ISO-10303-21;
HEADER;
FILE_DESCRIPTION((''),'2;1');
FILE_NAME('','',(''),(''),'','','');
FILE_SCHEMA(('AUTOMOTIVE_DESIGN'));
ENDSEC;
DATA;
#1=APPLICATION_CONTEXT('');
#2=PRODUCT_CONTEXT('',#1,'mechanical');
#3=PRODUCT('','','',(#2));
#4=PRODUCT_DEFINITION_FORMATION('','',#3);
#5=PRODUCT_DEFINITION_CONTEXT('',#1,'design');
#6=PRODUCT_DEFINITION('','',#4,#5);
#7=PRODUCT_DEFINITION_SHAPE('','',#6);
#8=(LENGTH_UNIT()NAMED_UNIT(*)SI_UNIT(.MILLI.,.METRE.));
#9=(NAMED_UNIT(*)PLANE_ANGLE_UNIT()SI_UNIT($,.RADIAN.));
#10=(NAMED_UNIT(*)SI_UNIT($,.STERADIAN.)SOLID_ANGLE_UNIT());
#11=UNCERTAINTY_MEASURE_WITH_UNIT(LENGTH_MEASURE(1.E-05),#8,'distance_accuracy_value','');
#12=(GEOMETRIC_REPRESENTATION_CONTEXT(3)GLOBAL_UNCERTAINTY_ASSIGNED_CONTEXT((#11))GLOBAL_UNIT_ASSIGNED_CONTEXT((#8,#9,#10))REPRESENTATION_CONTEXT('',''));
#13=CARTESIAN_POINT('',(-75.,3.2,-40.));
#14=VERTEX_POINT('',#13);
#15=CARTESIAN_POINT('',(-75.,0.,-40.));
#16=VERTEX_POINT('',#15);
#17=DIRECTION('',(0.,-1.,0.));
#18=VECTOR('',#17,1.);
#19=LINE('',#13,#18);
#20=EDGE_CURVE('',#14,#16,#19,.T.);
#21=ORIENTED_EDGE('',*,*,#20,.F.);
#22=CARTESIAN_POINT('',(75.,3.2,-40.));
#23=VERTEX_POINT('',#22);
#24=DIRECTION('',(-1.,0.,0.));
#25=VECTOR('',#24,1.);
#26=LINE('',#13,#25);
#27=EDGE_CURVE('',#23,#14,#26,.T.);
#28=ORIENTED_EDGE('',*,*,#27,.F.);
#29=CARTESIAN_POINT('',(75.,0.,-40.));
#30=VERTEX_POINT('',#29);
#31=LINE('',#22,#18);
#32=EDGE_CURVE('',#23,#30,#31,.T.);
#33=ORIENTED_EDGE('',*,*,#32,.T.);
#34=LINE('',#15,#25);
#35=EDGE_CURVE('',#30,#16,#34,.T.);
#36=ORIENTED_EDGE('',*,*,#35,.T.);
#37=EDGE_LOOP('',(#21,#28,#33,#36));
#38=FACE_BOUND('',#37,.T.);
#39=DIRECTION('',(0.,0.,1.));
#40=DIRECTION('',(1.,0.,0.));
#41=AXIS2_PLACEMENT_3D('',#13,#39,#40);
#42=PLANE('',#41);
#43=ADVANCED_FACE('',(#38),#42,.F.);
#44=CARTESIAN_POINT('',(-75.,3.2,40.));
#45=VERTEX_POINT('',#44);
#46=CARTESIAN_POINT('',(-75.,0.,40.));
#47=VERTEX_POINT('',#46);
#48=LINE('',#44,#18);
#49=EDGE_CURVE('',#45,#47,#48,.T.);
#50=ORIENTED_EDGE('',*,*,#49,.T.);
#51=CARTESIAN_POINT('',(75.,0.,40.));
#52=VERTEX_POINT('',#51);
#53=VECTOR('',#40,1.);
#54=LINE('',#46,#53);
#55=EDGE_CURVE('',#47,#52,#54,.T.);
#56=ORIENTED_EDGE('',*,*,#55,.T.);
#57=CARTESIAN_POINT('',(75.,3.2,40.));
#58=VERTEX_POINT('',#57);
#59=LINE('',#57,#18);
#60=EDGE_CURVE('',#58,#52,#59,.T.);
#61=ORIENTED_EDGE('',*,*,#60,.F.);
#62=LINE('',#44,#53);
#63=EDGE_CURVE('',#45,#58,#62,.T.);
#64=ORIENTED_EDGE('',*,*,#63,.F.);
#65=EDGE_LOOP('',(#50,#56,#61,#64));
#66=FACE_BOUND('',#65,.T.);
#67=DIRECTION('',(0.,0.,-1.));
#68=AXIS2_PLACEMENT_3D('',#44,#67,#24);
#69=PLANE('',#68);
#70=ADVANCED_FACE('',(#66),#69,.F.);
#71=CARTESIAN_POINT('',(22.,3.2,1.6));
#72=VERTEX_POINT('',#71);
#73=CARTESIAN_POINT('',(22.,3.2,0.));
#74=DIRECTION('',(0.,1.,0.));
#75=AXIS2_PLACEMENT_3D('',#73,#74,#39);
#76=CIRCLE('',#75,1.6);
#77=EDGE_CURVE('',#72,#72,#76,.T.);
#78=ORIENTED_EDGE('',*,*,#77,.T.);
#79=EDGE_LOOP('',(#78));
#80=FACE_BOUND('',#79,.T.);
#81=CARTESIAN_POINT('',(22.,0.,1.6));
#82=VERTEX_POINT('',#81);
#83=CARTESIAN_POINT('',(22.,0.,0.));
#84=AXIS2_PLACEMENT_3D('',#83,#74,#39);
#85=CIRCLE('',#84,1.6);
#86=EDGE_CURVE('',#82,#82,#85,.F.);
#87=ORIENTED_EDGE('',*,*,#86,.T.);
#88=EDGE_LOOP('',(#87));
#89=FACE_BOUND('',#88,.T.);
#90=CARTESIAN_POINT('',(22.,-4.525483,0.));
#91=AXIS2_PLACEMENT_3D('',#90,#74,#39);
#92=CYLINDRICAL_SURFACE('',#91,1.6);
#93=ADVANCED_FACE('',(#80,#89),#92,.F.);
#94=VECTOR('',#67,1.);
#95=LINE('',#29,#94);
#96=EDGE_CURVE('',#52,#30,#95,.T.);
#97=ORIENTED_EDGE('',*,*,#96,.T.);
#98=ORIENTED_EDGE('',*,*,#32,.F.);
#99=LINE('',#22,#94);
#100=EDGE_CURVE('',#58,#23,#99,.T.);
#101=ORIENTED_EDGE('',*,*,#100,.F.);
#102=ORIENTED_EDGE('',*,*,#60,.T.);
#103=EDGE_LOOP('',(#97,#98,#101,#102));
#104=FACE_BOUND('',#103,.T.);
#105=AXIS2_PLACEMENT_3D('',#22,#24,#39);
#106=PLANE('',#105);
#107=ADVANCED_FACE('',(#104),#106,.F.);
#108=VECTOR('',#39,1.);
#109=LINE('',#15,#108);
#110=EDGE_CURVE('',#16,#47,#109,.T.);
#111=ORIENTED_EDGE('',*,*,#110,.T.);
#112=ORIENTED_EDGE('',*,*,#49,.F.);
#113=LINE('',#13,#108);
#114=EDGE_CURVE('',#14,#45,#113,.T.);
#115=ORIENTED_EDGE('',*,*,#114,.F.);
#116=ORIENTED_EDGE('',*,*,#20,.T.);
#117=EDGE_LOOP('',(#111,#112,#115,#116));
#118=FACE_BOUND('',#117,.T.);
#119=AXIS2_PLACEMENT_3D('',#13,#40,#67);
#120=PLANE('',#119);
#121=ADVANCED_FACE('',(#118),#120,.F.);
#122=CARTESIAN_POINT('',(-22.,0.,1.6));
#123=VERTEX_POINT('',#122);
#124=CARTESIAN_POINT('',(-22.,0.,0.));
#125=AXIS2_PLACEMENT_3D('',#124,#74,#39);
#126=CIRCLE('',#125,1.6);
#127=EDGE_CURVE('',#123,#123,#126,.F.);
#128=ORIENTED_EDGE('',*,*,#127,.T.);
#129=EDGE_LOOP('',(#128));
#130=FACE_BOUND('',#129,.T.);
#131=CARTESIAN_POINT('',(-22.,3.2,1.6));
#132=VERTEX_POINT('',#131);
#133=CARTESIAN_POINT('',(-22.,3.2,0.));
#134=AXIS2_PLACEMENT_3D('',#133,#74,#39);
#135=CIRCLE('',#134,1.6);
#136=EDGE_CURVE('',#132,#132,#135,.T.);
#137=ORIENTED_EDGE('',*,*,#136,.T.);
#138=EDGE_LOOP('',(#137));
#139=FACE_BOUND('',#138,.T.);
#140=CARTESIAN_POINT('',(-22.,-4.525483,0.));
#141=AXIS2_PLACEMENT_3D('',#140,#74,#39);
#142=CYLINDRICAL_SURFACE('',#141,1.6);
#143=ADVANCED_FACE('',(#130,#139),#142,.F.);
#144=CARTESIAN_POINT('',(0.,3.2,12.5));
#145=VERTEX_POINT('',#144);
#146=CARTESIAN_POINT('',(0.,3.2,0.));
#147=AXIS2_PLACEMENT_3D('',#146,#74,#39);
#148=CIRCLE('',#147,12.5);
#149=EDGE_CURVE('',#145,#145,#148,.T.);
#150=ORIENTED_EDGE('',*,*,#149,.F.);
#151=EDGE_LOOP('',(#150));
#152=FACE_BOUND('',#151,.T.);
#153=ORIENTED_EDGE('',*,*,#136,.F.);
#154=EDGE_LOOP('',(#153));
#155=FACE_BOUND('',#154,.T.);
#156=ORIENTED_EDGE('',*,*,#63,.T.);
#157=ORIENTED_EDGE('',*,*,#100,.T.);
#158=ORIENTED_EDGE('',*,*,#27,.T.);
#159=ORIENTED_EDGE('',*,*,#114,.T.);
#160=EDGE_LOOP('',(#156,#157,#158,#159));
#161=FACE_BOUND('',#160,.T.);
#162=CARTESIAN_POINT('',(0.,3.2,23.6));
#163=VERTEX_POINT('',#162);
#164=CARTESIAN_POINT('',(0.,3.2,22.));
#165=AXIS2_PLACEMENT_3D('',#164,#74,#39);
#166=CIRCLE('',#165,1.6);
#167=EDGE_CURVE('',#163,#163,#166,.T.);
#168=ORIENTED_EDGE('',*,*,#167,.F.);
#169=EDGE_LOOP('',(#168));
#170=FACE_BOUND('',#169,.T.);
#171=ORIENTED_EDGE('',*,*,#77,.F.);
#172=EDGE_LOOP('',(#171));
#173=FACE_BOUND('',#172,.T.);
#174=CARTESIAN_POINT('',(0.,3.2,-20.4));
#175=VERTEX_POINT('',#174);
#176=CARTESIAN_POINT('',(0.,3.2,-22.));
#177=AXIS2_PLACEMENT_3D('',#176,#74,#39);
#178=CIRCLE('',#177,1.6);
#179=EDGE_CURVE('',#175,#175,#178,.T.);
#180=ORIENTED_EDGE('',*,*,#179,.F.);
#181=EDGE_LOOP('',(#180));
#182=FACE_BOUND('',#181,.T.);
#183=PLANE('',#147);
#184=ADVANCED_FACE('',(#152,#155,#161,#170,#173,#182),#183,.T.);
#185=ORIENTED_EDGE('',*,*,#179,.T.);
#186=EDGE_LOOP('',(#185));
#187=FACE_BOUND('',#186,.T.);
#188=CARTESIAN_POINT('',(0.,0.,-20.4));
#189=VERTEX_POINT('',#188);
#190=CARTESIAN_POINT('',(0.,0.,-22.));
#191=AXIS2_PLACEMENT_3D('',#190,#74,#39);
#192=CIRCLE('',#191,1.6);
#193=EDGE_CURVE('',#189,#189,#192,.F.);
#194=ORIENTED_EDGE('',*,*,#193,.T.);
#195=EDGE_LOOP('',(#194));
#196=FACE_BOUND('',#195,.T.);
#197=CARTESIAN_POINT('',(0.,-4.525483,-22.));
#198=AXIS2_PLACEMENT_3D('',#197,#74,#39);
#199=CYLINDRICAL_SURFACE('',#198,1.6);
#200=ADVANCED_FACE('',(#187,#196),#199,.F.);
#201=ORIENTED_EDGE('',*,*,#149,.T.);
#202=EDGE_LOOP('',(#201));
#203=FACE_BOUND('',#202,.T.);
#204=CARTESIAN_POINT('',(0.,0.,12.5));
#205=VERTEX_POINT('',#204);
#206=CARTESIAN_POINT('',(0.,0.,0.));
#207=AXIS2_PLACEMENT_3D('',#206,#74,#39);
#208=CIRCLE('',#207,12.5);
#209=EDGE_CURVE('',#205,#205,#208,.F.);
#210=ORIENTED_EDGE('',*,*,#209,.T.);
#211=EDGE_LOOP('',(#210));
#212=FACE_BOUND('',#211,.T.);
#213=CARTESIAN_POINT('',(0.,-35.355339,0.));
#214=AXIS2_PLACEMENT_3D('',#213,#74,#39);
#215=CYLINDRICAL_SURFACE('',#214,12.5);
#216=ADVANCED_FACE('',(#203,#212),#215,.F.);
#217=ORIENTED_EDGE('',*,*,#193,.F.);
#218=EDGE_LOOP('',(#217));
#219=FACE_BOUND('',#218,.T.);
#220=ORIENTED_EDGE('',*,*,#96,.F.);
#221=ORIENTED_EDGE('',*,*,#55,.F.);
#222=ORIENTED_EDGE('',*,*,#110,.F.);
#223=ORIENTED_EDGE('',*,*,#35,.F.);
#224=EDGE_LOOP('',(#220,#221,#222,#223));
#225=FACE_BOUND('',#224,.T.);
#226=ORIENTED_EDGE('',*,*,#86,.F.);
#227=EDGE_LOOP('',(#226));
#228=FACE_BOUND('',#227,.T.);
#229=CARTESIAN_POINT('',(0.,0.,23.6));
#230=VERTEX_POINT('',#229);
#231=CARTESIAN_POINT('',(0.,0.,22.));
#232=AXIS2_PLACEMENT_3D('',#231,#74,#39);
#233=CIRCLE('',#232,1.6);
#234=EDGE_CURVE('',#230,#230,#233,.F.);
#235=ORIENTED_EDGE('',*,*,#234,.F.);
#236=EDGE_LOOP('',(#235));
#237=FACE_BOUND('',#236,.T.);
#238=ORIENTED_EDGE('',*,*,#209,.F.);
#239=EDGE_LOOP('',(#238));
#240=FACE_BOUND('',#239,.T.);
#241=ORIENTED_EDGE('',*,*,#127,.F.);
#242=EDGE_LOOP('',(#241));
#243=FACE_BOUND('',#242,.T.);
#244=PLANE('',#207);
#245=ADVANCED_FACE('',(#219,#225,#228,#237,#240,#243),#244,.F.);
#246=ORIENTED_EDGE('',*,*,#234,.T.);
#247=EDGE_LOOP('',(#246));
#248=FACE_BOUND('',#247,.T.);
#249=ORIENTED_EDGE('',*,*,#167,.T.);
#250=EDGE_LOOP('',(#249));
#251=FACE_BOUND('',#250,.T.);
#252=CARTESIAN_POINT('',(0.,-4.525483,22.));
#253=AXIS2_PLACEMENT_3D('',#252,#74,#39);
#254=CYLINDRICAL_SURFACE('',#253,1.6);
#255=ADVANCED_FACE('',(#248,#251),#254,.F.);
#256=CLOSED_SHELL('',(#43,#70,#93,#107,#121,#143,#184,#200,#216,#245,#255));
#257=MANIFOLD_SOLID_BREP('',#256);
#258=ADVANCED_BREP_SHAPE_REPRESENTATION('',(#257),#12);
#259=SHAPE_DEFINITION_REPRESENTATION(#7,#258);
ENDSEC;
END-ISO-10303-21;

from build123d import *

# Parameters (mm, degrees)
SKETCH_1_W          = 150
SKETCH_1_H          = 80
EXTRUDE_1_DEPTH     = 3.2
SKETCH_2_R          = 12.5
CUT_EXTRUDE_1_DEPTH = 3.2
SKETCH_3_R          = 1.6
CUT_EXTRUDE_3_DEPTH = 3.2


with BuildPart() as part:
    # 草图1 → 凸台-拉伸1 (new body)
    with BuildSketch(Plane(origin=(0, 0, 0), x_dir=(1, 0, 0), z_dir=(0, 1, 0))):
        Rectangle(SKETCH_1_W, SKETCH_1_H)
    extrude(amount=EXTRUDE_1_DEPTH)

    # 草图2 → 切除-拉伸1 (cut)
    with BuildSketch(Plane(origin=(0, 3.2, 0), x_dir=(1, 0, 0), z_dir=(0, 1, 0))):
        with Locations(Location((0, 0, 0), (0, 0, 270))):
            Circle(SKETCH_2_R)
    extrude(amount=-CUT_EXTRUDE_1_DEPTH, mode=Mode.SUBTRACT)

    # 草图3 → 切除-拉伸3 (cut)
    with BuildSketch(Plane(origin=(0, 3.2, 0), x_dir=(1, 0, 0), z_dir=(0, 1, 0))):
        with Locations(Location((0, -22, 0), (0, 0, 270))):
            Circle(SKETCH_3_R)
        with Locations(Location((-22, 0, 0), (0, 0, 270))):
            Circle(SKETCH_3_R)
        with Locations(Location((0, 22, 0), (0, 0, 270))):
            Circle(SKETCH_3_R)
        with Locations(Location((22, 0, 0), (0, 0, 270))):
            Circle(SKETCH_3_R)
    extrude(amount=-CUT_EXTRUDE_3_DEPTH, mode=Mode.SUBTRACT)


solid = part.part
